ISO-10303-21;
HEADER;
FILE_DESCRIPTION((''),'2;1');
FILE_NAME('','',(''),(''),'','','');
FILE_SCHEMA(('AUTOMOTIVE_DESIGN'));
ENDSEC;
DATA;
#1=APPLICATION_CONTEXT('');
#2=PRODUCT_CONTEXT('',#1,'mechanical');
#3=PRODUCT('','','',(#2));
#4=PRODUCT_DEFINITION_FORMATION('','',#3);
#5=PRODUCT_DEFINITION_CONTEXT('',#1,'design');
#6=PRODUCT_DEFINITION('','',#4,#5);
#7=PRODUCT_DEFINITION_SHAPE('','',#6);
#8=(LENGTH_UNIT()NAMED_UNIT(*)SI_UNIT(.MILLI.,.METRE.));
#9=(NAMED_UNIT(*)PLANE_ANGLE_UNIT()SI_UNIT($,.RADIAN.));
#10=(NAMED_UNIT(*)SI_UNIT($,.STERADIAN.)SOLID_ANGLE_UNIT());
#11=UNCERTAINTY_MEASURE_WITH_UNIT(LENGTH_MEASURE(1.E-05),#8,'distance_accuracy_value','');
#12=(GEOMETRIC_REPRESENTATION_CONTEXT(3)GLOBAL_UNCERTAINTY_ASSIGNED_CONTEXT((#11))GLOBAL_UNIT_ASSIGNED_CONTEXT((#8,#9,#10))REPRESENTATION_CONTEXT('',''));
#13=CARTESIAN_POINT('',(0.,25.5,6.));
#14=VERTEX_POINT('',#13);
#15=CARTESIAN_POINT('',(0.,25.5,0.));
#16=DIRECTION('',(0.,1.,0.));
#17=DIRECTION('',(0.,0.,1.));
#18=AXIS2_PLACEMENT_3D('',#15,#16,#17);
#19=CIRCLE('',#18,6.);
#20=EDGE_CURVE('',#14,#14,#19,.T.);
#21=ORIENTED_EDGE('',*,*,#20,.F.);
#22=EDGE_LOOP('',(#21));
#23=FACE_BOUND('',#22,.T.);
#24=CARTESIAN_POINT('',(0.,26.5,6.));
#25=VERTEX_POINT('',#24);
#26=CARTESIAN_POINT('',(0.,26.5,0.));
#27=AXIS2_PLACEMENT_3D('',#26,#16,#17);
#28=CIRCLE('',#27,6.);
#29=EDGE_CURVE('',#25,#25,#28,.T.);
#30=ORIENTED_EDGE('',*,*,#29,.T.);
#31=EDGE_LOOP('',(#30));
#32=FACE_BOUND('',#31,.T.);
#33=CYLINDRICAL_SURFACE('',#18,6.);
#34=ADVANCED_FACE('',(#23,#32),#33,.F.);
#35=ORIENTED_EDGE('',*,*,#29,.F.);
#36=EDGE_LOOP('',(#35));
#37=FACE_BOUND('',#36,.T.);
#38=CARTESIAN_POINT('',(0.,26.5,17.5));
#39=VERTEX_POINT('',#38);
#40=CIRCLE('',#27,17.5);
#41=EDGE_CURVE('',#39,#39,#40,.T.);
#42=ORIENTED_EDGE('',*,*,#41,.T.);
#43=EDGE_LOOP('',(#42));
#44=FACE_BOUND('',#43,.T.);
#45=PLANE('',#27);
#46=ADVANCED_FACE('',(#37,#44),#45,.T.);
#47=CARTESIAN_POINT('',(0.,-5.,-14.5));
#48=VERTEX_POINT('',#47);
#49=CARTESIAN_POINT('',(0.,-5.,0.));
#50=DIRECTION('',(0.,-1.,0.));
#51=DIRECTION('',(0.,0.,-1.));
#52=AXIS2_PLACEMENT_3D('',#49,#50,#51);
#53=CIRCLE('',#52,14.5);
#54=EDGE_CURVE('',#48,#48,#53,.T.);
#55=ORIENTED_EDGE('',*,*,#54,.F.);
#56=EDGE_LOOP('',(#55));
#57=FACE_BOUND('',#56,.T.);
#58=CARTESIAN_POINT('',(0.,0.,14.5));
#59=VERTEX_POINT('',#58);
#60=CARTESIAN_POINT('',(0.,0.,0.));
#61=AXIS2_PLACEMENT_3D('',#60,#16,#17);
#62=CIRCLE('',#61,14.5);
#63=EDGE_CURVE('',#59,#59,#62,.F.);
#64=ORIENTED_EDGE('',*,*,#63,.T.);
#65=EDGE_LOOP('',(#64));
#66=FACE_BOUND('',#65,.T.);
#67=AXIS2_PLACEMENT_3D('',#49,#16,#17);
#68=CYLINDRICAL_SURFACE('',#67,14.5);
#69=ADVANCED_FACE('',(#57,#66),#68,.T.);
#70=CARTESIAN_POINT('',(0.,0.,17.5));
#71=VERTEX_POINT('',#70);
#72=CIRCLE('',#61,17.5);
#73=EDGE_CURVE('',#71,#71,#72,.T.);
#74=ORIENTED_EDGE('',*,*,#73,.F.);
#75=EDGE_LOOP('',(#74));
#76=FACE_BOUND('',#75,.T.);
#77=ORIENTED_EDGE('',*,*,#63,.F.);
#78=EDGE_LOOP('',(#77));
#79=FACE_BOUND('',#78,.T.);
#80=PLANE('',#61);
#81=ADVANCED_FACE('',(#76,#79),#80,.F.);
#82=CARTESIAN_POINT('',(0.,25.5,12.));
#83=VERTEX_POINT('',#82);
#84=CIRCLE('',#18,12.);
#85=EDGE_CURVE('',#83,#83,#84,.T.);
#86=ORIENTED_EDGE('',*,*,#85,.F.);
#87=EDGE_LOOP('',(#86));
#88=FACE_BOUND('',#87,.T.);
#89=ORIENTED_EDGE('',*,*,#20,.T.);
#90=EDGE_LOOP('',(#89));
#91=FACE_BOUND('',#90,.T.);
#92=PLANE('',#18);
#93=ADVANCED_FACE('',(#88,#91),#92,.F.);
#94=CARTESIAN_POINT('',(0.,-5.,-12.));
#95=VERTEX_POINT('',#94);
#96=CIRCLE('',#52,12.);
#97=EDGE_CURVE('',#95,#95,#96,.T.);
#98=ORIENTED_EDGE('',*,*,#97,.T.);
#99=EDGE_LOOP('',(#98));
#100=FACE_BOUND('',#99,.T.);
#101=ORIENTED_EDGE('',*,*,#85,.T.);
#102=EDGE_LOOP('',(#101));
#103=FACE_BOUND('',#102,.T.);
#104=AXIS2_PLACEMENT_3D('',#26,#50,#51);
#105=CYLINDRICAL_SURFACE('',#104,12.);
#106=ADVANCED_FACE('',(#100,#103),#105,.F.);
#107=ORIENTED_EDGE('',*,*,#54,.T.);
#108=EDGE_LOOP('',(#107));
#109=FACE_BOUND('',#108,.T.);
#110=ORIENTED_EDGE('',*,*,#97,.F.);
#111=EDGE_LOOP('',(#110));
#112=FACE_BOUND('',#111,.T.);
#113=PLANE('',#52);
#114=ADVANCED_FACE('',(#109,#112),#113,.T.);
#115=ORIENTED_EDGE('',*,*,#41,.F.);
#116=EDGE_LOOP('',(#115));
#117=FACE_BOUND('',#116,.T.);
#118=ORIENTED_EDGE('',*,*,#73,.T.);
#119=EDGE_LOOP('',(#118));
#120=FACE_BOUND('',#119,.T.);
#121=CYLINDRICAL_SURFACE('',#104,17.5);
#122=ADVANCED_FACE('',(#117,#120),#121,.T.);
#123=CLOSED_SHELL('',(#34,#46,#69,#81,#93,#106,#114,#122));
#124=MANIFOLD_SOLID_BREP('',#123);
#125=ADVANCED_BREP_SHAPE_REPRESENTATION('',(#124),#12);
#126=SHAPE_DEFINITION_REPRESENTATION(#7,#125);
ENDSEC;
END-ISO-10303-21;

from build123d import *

# Parameters (mm, degrees)
SKETCH1_R           = 17.5
SKETCH1_R_2         = 12
BOSS_EXTRUDE1_DEPTH = 26.5
SKETCH2_R           = 12
SKETCH2_R_2         = 6
BOSS_EXTRUDE2_DEPTH = 1
SKETCH3_R           = 14.5
SKETCH3_R_2         = 12
BOSS_EXTRUDE3_DEPTH = 5


with BuildPart() as part:
    # Sketch1 → Boss-Extrude1 (new body)
    with BuildSketch(Plane(origin=(0, 0, 0), x_dir=(1, 0, 0), z_dir=(0, 1, 0))):
        Circle(SKETCH1_R)
        Circle(SKETCH1_R_2, mode=Mode.SUBTRACT)
    extrude(amount=BOSS_EXTRUDE1_DEPTH)

    # Sketch2 → Boss-Extrude2 (add)
    with BuildSketch(Plane(origin=(0, 26.5, 0), x_dir=(1, 0, 0), z_dir=(0, 1, 0))):
        Circle(SKETCH2_R)
        Circle(SKETCH2_R_2, mode=Mode.SUBTRACT)
    extrude(amount=-BOSS_EXTRUDE2_DEPTH)

    # Sketch3 → Boss-Extrude3 (add)
    with BuildSketch(Plane.XZ):
        Circle(SKETCH3_R)
        Circle(SKETCH3_R_2, mode=Mode.SUBTRACT)
    extrude(amount=BOSS_EXTRUDE3_DEPTH)


solid = part.part
